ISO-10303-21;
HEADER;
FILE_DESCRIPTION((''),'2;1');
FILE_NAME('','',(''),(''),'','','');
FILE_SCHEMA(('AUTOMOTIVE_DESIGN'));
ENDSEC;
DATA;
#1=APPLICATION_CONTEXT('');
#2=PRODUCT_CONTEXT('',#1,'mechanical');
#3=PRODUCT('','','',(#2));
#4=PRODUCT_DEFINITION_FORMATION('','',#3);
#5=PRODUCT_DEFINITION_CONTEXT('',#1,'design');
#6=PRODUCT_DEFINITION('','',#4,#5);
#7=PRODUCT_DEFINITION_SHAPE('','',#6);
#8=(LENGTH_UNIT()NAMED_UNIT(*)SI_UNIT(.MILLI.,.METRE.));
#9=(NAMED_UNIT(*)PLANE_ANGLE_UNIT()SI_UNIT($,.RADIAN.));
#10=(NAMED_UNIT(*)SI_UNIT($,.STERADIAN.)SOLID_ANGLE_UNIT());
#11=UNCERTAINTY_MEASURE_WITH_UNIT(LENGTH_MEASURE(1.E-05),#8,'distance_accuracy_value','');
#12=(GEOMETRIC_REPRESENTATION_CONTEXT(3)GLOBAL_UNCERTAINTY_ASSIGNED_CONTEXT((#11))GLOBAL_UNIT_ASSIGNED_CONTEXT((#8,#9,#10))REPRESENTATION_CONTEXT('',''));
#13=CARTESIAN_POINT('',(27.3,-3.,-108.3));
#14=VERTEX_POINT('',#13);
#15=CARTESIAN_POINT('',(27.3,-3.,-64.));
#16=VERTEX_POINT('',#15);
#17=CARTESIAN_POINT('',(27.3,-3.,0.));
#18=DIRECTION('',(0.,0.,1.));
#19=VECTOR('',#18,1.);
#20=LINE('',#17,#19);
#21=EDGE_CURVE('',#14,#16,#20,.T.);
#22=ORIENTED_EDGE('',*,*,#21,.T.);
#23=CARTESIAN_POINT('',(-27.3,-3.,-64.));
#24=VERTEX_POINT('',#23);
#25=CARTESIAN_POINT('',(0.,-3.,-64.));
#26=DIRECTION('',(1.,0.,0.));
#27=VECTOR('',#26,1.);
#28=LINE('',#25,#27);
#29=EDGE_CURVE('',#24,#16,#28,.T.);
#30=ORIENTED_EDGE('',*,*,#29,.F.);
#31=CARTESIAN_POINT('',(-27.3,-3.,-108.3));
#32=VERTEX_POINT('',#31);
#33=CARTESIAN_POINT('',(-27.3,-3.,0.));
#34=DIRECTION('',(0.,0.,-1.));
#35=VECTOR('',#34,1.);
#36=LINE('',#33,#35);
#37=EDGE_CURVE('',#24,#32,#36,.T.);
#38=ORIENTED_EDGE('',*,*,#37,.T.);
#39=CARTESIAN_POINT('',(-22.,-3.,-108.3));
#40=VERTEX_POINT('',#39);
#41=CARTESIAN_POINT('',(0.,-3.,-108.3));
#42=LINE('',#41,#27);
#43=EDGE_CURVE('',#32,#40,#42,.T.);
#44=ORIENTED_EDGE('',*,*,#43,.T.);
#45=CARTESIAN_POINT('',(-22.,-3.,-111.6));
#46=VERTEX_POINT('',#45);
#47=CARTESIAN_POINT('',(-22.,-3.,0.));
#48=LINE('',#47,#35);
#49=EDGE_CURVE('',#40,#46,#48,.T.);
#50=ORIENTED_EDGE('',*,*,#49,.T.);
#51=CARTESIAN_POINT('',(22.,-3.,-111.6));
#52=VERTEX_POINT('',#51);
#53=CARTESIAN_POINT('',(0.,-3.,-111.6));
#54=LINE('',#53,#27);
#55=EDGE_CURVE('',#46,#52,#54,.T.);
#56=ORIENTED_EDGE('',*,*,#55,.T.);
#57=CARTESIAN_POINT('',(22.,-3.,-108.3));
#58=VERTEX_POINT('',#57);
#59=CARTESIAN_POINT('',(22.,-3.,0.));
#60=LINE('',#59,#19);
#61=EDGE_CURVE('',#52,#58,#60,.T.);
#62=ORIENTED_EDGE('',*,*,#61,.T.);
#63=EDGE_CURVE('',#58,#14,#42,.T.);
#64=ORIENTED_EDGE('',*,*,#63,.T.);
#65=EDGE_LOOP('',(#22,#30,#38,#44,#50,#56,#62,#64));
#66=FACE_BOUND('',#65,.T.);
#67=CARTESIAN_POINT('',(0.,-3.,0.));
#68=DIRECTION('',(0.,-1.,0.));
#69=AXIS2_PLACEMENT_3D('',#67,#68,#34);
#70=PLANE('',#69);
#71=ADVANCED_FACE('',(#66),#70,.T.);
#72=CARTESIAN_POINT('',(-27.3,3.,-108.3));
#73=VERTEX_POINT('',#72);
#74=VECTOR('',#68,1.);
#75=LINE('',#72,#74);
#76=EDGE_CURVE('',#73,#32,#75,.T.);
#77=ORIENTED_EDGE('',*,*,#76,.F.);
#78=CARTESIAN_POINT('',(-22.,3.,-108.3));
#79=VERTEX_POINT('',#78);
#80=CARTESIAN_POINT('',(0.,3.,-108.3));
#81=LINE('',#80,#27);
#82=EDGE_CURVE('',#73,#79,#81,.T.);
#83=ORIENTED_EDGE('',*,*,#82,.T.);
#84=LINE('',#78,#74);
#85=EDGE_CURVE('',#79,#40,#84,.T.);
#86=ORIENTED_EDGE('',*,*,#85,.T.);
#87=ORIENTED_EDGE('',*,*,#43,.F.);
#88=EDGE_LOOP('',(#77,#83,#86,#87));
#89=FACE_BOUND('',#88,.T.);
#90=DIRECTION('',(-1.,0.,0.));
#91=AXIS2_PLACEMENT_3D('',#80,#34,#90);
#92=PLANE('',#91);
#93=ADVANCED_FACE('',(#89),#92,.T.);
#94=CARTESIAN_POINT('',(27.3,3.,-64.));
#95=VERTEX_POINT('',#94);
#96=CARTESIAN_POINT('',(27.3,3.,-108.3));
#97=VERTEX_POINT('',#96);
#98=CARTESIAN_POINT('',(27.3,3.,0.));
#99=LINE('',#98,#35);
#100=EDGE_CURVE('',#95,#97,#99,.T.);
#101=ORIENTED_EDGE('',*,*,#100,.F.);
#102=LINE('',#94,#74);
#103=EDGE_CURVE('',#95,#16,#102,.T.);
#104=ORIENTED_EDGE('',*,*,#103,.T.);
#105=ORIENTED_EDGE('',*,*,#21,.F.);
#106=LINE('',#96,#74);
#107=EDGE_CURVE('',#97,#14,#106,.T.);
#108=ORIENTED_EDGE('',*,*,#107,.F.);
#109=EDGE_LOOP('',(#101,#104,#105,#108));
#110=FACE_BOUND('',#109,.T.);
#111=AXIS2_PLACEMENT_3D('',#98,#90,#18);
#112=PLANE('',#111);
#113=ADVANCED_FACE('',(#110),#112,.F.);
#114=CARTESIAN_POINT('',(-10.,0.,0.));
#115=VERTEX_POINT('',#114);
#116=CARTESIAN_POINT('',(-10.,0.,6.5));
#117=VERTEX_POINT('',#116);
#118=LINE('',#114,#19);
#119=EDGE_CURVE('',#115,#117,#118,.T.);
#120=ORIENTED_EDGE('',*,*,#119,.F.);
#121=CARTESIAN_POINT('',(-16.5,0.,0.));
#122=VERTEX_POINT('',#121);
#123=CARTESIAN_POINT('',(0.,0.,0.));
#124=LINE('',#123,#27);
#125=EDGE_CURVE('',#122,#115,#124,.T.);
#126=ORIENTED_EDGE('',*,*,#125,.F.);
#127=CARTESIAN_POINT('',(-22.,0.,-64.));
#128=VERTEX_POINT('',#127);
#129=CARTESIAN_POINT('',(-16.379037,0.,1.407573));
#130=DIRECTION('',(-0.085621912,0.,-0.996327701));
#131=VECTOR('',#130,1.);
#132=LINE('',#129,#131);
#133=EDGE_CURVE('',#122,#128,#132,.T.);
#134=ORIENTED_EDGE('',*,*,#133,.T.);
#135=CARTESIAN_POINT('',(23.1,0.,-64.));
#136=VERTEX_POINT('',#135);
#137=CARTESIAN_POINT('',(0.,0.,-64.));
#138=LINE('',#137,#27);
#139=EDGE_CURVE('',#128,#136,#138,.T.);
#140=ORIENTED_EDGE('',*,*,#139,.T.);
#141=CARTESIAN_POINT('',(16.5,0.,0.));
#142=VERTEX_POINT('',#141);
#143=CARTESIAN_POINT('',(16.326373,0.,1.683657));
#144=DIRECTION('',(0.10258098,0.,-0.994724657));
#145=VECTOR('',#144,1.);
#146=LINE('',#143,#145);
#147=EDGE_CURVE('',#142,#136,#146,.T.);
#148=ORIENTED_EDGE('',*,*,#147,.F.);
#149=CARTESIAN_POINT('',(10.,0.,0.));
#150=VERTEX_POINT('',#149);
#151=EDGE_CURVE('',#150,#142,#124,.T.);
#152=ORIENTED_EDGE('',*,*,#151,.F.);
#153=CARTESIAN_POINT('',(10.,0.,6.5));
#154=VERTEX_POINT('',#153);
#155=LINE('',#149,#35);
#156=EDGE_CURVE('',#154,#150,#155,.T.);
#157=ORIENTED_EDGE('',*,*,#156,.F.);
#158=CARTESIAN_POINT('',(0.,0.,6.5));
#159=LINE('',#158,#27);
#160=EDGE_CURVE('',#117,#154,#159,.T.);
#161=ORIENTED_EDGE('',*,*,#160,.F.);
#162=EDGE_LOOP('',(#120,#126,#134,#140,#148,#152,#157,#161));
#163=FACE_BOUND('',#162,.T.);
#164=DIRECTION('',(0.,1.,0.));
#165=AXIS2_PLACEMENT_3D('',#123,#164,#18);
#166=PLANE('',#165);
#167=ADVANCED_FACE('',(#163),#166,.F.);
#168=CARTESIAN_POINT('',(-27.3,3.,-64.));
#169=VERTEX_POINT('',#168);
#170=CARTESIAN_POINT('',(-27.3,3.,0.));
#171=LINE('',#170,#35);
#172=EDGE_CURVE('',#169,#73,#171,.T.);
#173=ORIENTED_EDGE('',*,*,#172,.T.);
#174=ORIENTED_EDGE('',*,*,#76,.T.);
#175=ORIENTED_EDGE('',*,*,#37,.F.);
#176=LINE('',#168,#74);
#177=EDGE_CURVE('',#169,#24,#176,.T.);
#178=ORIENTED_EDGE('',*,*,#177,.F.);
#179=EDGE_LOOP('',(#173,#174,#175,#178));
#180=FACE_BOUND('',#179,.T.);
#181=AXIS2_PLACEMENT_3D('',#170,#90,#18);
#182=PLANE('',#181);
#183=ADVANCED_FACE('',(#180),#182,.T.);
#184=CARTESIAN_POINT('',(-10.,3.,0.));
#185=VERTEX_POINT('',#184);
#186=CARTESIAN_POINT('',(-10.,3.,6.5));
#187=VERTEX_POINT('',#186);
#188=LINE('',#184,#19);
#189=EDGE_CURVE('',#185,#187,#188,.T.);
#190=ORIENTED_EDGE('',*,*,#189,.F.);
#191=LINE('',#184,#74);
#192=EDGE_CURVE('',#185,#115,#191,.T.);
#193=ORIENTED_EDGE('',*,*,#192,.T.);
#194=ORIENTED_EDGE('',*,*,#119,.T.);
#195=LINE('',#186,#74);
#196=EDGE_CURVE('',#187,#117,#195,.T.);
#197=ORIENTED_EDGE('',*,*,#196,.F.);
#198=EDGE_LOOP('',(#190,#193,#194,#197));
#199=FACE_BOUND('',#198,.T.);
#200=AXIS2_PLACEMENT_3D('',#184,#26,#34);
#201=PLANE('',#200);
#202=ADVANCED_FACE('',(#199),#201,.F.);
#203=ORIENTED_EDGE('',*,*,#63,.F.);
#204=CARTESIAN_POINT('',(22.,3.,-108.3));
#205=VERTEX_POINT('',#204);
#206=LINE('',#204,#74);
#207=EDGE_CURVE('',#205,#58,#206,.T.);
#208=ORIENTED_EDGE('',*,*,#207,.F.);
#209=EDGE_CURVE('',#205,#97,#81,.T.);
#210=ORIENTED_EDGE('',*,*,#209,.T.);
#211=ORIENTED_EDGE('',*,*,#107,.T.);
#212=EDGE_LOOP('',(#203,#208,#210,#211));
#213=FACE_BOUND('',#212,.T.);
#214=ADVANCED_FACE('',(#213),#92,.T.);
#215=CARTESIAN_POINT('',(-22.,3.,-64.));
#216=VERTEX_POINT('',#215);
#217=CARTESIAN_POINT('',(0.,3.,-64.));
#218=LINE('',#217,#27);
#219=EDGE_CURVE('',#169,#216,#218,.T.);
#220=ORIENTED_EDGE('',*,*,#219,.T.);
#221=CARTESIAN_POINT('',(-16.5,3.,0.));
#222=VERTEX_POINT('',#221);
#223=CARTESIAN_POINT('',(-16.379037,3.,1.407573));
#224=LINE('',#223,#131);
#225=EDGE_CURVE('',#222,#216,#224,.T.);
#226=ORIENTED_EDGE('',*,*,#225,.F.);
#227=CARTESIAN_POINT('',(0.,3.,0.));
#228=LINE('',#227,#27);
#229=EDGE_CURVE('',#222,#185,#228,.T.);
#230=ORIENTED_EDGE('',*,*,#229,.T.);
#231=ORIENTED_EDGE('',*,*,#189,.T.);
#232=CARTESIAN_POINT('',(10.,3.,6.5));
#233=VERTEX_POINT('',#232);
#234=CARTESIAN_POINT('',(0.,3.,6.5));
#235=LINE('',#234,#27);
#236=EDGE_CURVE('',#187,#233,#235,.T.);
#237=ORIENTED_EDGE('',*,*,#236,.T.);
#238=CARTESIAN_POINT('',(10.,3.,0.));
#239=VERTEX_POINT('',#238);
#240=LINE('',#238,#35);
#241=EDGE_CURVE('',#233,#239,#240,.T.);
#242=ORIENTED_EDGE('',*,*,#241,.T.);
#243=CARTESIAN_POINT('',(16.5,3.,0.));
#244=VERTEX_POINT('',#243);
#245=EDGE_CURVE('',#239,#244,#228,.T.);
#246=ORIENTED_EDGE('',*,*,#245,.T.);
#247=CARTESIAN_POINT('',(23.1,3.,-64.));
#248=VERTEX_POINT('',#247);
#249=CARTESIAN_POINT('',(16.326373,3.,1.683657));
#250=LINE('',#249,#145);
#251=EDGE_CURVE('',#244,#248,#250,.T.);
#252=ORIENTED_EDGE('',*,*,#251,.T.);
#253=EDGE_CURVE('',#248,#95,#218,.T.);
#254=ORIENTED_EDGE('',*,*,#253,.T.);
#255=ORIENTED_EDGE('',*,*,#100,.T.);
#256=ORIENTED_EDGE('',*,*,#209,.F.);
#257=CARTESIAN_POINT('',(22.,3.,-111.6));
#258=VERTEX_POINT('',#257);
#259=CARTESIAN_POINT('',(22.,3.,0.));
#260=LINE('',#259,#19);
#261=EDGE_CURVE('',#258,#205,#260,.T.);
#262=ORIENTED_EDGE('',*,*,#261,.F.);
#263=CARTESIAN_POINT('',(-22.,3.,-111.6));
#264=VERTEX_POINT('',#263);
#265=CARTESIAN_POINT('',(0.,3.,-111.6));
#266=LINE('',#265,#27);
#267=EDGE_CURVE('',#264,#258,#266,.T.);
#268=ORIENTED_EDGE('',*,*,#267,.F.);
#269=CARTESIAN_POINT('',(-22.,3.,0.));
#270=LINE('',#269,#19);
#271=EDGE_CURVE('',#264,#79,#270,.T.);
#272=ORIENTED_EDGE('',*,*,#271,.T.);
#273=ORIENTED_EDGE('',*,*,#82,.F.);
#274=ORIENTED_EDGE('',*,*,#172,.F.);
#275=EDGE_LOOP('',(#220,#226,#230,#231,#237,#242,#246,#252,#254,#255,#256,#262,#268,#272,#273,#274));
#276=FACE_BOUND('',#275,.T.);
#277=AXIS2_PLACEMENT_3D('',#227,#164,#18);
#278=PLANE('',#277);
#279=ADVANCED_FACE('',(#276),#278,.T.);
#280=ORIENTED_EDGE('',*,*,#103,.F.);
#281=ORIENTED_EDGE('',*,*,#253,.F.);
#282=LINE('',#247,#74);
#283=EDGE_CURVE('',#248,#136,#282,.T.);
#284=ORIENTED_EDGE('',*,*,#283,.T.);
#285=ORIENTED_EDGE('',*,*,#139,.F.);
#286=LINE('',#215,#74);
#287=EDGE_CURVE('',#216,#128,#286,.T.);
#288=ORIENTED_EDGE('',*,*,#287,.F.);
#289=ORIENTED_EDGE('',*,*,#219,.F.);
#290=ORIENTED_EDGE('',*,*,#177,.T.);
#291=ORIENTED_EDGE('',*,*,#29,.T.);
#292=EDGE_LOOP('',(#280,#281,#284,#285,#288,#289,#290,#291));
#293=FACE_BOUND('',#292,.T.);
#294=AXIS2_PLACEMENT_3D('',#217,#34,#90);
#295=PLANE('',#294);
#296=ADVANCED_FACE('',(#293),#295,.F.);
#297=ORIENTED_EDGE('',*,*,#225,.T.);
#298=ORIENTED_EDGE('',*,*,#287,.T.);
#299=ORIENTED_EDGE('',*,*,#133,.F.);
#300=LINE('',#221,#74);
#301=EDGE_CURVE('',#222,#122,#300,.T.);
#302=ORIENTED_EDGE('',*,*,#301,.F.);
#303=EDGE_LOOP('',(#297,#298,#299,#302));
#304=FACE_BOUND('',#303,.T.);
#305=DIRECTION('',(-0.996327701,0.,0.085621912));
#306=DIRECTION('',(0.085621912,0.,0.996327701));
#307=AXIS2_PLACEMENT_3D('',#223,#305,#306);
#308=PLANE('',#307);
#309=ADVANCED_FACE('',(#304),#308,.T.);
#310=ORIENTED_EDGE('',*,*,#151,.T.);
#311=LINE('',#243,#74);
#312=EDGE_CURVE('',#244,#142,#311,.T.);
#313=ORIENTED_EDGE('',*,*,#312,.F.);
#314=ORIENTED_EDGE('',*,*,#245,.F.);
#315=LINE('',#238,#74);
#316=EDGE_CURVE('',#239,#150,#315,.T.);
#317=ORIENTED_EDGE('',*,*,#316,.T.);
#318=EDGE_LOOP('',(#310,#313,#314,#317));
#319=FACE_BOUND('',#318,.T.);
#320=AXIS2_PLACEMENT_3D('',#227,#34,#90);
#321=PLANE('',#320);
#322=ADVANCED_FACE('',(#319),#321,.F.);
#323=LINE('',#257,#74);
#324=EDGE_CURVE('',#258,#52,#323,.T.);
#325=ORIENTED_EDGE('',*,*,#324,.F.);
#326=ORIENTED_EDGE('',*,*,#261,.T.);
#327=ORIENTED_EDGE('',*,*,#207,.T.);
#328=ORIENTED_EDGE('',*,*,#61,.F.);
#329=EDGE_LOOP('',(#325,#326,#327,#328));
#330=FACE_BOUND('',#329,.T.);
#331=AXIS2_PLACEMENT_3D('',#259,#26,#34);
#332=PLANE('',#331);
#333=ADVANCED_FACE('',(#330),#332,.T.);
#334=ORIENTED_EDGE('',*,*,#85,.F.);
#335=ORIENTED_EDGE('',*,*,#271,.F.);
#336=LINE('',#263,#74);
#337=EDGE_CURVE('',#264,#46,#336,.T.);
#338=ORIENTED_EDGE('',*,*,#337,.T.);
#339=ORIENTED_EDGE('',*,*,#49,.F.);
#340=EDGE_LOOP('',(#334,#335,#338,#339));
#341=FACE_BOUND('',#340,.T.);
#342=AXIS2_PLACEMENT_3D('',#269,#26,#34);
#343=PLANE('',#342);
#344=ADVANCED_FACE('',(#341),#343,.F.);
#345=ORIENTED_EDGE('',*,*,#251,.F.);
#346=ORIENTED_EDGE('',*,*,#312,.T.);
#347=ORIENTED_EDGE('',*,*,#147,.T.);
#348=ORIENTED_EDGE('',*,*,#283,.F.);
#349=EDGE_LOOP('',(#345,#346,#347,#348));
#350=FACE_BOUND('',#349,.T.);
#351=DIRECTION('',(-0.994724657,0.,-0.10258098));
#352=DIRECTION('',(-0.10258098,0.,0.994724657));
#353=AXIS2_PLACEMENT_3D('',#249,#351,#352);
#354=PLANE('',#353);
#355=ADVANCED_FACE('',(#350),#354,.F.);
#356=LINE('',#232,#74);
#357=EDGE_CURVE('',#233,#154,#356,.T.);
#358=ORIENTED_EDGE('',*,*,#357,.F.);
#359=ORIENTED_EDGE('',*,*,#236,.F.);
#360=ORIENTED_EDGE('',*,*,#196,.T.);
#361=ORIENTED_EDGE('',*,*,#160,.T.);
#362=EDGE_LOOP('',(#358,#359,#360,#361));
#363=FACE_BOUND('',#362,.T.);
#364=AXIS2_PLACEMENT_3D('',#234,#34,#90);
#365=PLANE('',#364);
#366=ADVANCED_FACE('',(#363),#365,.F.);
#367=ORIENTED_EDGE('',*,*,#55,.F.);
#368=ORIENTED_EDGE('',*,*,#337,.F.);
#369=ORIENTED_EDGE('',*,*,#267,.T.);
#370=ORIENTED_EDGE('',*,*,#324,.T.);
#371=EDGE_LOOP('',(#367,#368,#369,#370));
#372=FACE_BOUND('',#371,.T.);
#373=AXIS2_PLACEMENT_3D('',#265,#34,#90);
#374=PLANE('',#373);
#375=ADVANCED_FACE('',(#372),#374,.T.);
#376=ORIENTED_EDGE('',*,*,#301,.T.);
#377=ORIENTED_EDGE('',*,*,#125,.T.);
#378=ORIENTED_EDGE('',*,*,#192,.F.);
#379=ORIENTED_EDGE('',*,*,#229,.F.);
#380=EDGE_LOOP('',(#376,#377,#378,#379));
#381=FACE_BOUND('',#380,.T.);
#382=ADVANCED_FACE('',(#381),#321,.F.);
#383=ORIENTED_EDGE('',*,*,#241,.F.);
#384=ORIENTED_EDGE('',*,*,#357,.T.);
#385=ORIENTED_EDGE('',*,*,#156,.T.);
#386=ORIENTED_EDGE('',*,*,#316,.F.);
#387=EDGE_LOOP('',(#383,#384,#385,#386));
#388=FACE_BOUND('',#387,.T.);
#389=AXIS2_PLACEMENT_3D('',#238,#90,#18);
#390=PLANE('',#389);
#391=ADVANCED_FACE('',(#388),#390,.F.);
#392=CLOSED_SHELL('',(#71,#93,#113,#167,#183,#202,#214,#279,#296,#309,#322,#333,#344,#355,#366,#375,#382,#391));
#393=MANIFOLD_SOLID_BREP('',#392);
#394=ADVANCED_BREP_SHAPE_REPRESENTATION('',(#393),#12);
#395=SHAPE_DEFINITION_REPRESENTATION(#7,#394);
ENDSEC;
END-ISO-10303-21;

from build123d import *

# Parameters (mm, degrees)
BOSS_EXTRUDE1_DEPTH = 3
BOSS_EXTRUDE2_DEPTH = 3


with BuildPart() as part:
    # Sketch1 → Boss-Extrude1 (new body)
    with BuildSketch(Plane(origin=(0, 0, 0), x_dir=(1, 0, 0), z_dir=(0, 1, 0))):
        Polygon((-22, 64), (-16.5, 0), (-10, 0), (-10, -6.5), (10, -6.5), (10, 0), (16.5, 0), (23.1, 64), (27.3, 64), (27.3, 108.3), (22, 108.3), (22, 111.6), (-22, 111.6), (-22, 108.3), (-27.3, 108.3), (-27.3, 64), align=None)
    extrude(amount=BOSS_EXTRUDE1_DEPTH)

    # Sketch3 → Boss-Extrude2 (add)
    with BuildSketch(Plane.XZ):
        Polygon((-27.3, -64), (-27.3, -108.3), (-22, -108.3), (-22, -111.6), (22, -111.6), (22, -108.3), (27.3, -108.3), (27.3, -64), (23.1, -64), (-22, -64), align=None)
    extrude(amount=BOSS_EXTRUDE2_DEPTH)


solid = part.part
